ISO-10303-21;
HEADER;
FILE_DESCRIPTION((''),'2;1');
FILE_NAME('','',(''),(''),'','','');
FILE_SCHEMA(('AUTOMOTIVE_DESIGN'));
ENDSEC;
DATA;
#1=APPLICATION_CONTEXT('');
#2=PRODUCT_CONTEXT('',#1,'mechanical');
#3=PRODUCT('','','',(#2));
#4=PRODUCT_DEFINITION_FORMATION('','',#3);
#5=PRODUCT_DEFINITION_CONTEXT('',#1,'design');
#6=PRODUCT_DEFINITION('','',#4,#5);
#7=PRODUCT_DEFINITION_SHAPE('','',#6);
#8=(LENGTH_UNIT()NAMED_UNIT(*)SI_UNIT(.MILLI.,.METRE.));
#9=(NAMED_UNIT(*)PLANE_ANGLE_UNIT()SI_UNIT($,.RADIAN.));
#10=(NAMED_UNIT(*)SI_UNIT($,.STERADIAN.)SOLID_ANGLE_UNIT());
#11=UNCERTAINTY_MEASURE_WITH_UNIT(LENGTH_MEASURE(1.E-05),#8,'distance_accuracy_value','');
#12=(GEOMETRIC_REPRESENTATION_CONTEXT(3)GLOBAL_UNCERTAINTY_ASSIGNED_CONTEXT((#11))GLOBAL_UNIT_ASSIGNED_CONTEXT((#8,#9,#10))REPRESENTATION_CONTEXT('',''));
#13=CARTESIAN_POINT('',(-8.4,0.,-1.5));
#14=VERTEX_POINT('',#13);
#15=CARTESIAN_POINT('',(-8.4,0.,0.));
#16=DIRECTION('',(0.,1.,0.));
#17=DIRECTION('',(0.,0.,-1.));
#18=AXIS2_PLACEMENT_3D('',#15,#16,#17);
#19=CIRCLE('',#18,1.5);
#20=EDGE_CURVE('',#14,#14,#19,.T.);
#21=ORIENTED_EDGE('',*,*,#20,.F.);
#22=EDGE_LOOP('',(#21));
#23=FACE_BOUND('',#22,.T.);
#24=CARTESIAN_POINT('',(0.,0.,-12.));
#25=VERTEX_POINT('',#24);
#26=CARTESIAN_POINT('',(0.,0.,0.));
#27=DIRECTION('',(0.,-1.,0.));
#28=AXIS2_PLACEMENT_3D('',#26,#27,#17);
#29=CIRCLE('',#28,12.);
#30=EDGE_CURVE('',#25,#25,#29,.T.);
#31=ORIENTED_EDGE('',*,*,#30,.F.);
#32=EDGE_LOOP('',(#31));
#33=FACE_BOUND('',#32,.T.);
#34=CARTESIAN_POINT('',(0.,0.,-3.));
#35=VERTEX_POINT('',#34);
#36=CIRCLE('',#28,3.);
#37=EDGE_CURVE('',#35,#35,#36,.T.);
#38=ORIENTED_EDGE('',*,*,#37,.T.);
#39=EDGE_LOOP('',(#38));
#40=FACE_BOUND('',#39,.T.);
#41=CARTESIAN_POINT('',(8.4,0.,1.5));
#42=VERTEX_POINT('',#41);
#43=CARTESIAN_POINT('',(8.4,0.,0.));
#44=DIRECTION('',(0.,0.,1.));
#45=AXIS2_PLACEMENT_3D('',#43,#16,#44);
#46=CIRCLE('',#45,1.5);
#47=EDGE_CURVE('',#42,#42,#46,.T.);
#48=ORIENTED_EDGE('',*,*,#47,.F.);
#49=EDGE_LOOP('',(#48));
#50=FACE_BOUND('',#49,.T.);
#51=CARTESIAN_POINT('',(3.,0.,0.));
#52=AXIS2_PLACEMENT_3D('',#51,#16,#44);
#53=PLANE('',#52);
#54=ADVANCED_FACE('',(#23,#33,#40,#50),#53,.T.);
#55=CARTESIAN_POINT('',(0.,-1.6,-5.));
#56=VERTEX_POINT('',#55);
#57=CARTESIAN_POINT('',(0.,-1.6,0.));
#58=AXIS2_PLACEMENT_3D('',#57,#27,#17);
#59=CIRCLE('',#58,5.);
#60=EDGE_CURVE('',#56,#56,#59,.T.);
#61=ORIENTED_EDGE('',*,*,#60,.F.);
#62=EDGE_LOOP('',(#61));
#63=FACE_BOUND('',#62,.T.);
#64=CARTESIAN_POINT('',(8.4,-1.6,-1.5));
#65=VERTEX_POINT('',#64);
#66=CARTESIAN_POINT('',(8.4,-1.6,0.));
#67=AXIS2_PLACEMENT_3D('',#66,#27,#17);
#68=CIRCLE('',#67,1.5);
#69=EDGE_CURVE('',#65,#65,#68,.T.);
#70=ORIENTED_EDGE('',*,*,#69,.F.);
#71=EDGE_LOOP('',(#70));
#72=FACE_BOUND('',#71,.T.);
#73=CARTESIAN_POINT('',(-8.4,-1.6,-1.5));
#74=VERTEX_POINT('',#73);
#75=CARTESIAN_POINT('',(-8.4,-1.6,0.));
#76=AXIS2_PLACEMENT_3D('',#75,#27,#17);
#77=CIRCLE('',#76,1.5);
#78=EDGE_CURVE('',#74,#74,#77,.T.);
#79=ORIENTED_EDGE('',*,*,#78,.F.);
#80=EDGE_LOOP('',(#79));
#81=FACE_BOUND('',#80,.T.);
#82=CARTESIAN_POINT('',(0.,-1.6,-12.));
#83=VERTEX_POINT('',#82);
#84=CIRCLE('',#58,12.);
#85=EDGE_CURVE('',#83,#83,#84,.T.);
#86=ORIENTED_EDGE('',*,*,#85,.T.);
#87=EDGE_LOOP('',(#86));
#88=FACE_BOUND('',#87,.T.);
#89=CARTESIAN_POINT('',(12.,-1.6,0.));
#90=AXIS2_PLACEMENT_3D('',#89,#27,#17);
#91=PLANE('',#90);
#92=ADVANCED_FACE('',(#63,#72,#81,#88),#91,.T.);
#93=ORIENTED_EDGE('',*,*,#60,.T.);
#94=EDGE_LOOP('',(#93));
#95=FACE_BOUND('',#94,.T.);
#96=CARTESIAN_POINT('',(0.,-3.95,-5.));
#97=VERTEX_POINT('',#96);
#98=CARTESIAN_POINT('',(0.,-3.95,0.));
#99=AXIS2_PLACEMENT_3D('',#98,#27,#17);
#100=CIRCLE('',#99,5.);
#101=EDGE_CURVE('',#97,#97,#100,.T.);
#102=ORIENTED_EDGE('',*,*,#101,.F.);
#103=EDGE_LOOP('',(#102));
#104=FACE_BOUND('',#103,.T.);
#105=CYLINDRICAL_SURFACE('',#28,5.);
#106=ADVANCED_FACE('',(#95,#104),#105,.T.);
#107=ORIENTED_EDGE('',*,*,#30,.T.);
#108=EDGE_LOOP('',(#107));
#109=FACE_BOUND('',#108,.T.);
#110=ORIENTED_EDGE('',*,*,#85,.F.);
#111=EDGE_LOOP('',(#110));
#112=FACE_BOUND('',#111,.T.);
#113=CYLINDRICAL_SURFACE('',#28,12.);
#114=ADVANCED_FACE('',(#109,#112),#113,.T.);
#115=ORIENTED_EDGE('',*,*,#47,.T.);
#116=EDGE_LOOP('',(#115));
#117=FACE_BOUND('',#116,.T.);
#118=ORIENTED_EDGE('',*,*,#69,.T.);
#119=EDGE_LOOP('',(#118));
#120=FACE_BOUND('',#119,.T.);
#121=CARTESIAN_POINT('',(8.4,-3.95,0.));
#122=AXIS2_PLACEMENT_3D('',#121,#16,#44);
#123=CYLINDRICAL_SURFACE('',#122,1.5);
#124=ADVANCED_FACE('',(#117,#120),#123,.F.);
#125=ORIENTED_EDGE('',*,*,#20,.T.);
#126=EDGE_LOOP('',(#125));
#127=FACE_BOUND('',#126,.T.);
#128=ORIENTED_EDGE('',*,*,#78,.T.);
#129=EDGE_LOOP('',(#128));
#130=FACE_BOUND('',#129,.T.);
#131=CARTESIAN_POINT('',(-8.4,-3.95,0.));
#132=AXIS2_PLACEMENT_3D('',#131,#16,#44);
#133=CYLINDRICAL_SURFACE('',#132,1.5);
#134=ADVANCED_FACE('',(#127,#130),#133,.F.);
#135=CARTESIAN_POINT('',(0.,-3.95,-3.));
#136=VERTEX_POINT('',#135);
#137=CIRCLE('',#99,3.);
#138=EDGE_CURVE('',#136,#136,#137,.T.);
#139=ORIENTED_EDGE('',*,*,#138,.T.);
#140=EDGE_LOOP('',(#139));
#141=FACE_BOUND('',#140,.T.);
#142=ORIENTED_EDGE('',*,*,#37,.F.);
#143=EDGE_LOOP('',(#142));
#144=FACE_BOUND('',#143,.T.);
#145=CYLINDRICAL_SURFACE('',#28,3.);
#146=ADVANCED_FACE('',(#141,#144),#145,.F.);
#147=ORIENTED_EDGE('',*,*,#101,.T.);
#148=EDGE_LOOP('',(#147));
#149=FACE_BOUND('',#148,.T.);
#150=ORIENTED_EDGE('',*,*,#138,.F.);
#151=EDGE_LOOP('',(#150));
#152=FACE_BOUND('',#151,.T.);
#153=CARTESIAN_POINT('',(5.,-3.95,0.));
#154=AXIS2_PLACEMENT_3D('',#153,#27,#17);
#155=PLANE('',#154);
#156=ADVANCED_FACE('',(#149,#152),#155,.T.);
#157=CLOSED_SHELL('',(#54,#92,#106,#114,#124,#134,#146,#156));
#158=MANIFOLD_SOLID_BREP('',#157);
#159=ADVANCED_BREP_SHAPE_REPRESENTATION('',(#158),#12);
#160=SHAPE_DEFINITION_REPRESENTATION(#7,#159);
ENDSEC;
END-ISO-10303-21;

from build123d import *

# Parameters (mm, degrees)
SKETCH2_R          = 1.5
CUT_EXTRUDE1_DEPTH = 4.95


with BuildPart() as part:
    # Sketch1 → Revolve1 (revolve)
    with BuildSketch(Plane.XY):
        Polygon((12, 0), (12, -1.6), (5, -1.6), (5, -3.95), (3, -3.95), (3, 0), align=None)
    revolve(axis=Axis((0, 0, 0), (0, 1, 0)))

    # Sketch2 → Cut-Extrude1 (cut, through all)
    with BuildSketch(Plane(origin=(0, 0, 0), x_dir=(1, 0, 0), z_dir=(0, 1, 0))):
        with Locations((8.4, 0)):
            Circle(SKETCH2_R)
        with Locations((-8.4, 0)):
            Circle(SKETCH2_R)
    extrude(amount=-CUT_EXTRUDE1_DEPTH, mode=Mode.SUBTRACT)


solid = part.part
